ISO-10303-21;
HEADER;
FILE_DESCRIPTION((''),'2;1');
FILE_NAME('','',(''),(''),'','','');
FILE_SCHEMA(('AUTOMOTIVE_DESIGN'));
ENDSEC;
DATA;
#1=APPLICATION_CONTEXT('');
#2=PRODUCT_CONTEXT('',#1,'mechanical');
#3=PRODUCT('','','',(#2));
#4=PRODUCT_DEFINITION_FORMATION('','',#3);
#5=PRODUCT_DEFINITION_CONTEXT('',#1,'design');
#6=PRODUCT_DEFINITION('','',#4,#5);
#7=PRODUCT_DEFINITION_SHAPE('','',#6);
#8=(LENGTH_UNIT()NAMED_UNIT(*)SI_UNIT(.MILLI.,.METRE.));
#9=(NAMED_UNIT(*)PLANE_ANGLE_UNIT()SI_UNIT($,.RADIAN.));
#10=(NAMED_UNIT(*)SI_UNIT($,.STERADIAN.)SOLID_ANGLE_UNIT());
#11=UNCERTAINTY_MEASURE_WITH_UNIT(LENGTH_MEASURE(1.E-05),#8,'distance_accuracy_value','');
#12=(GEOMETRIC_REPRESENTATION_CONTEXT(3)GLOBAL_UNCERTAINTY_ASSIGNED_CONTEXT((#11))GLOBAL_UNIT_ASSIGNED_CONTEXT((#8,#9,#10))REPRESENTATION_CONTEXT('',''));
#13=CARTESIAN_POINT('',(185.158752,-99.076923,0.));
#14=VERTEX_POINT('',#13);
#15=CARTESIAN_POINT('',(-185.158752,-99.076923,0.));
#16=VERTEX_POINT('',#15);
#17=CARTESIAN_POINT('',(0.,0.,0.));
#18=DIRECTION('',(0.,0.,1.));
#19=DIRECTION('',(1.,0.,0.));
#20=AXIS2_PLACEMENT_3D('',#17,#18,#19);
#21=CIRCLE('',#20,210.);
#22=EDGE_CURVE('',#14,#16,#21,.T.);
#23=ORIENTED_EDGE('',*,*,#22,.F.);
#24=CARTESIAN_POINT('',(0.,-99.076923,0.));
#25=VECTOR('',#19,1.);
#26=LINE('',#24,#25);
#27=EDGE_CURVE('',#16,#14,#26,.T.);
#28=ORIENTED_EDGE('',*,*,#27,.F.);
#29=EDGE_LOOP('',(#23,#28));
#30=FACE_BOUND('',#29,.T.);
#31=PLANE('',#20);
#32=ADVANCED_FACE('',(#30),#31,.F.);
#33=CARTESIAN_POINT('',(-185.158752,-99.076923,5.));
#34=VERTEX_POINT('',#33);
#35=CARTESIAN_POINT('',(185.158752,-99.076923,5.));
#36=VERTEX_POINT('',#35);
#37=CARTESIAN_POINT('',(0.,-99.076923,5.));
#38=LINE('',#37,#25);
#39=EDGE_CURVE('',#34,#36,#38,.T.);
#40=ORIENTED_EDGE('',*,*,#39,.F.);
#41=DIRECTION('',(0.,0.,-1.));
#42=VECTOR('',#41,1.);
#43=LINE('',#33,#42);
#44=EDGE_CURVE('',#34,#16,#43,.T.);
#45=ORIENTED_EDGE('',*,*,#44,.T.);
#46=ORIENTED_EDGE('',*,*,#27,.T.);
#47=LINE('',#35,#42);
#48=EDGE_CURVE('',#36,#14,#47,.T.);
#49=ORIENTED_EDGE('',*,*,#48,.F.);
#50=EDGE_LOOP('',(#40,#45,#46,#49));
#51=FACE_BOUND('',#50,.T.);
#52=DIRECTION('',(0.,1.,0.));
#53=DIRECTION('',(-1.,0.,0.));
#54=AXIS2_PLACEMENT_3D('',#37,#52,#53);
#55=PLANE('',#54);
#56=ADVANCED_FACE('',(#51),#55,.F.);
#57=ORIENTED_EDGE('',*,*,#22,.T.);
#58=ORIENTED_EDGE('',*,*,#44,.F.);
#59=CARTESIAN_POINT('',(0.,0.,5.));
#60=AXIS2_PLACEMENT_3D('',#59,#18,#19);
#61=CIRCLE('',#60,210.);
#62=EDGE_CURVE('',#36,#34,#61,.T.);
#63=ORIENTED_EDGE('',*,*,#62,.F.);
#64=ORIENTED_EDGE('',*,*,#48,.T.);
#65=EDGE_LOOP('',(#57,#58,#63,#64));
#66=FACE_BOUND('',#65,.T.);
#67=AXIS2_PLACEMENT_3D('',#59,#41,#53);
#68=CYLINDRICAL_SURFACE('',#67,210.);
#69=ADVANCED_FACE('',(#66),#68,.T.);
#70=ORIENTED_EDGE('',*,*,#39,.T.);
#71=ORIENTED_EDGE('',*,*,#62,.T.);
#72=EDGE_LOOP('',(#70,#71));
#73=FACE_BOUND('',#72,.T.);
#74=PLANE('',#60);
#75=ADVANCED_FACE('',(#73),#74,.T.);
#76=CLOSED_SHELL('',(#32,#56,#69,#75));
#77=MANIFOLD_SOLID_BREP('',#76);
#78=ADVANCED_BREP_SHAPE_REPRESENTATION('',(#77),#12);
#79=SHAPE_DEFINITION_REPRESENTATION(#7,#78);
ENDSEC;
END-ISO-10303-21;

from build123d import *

# Parameters (mm, degrees)
EXTRUDE_1_DEPTH = 5


with BuildPart() as part:
    # 草图1 → 凸台-拉伸1 (new body)
    with BuildSketch(Plane.XY):
        with BuildLine():
            Line((-185.158751653, -99.076923077), (-13.225625118, -99.076923077))
            Line((-13.225625118, -99.076923077), (185.158751653, -99.076923077))
            ThreePointArc((185.158751653, -99.076923077), (0, 210), (-185.158751653, -99.076923077))
        make_face()
    extrude(amount=EXTRUDE_1_DEPTH)


solid = part.part
